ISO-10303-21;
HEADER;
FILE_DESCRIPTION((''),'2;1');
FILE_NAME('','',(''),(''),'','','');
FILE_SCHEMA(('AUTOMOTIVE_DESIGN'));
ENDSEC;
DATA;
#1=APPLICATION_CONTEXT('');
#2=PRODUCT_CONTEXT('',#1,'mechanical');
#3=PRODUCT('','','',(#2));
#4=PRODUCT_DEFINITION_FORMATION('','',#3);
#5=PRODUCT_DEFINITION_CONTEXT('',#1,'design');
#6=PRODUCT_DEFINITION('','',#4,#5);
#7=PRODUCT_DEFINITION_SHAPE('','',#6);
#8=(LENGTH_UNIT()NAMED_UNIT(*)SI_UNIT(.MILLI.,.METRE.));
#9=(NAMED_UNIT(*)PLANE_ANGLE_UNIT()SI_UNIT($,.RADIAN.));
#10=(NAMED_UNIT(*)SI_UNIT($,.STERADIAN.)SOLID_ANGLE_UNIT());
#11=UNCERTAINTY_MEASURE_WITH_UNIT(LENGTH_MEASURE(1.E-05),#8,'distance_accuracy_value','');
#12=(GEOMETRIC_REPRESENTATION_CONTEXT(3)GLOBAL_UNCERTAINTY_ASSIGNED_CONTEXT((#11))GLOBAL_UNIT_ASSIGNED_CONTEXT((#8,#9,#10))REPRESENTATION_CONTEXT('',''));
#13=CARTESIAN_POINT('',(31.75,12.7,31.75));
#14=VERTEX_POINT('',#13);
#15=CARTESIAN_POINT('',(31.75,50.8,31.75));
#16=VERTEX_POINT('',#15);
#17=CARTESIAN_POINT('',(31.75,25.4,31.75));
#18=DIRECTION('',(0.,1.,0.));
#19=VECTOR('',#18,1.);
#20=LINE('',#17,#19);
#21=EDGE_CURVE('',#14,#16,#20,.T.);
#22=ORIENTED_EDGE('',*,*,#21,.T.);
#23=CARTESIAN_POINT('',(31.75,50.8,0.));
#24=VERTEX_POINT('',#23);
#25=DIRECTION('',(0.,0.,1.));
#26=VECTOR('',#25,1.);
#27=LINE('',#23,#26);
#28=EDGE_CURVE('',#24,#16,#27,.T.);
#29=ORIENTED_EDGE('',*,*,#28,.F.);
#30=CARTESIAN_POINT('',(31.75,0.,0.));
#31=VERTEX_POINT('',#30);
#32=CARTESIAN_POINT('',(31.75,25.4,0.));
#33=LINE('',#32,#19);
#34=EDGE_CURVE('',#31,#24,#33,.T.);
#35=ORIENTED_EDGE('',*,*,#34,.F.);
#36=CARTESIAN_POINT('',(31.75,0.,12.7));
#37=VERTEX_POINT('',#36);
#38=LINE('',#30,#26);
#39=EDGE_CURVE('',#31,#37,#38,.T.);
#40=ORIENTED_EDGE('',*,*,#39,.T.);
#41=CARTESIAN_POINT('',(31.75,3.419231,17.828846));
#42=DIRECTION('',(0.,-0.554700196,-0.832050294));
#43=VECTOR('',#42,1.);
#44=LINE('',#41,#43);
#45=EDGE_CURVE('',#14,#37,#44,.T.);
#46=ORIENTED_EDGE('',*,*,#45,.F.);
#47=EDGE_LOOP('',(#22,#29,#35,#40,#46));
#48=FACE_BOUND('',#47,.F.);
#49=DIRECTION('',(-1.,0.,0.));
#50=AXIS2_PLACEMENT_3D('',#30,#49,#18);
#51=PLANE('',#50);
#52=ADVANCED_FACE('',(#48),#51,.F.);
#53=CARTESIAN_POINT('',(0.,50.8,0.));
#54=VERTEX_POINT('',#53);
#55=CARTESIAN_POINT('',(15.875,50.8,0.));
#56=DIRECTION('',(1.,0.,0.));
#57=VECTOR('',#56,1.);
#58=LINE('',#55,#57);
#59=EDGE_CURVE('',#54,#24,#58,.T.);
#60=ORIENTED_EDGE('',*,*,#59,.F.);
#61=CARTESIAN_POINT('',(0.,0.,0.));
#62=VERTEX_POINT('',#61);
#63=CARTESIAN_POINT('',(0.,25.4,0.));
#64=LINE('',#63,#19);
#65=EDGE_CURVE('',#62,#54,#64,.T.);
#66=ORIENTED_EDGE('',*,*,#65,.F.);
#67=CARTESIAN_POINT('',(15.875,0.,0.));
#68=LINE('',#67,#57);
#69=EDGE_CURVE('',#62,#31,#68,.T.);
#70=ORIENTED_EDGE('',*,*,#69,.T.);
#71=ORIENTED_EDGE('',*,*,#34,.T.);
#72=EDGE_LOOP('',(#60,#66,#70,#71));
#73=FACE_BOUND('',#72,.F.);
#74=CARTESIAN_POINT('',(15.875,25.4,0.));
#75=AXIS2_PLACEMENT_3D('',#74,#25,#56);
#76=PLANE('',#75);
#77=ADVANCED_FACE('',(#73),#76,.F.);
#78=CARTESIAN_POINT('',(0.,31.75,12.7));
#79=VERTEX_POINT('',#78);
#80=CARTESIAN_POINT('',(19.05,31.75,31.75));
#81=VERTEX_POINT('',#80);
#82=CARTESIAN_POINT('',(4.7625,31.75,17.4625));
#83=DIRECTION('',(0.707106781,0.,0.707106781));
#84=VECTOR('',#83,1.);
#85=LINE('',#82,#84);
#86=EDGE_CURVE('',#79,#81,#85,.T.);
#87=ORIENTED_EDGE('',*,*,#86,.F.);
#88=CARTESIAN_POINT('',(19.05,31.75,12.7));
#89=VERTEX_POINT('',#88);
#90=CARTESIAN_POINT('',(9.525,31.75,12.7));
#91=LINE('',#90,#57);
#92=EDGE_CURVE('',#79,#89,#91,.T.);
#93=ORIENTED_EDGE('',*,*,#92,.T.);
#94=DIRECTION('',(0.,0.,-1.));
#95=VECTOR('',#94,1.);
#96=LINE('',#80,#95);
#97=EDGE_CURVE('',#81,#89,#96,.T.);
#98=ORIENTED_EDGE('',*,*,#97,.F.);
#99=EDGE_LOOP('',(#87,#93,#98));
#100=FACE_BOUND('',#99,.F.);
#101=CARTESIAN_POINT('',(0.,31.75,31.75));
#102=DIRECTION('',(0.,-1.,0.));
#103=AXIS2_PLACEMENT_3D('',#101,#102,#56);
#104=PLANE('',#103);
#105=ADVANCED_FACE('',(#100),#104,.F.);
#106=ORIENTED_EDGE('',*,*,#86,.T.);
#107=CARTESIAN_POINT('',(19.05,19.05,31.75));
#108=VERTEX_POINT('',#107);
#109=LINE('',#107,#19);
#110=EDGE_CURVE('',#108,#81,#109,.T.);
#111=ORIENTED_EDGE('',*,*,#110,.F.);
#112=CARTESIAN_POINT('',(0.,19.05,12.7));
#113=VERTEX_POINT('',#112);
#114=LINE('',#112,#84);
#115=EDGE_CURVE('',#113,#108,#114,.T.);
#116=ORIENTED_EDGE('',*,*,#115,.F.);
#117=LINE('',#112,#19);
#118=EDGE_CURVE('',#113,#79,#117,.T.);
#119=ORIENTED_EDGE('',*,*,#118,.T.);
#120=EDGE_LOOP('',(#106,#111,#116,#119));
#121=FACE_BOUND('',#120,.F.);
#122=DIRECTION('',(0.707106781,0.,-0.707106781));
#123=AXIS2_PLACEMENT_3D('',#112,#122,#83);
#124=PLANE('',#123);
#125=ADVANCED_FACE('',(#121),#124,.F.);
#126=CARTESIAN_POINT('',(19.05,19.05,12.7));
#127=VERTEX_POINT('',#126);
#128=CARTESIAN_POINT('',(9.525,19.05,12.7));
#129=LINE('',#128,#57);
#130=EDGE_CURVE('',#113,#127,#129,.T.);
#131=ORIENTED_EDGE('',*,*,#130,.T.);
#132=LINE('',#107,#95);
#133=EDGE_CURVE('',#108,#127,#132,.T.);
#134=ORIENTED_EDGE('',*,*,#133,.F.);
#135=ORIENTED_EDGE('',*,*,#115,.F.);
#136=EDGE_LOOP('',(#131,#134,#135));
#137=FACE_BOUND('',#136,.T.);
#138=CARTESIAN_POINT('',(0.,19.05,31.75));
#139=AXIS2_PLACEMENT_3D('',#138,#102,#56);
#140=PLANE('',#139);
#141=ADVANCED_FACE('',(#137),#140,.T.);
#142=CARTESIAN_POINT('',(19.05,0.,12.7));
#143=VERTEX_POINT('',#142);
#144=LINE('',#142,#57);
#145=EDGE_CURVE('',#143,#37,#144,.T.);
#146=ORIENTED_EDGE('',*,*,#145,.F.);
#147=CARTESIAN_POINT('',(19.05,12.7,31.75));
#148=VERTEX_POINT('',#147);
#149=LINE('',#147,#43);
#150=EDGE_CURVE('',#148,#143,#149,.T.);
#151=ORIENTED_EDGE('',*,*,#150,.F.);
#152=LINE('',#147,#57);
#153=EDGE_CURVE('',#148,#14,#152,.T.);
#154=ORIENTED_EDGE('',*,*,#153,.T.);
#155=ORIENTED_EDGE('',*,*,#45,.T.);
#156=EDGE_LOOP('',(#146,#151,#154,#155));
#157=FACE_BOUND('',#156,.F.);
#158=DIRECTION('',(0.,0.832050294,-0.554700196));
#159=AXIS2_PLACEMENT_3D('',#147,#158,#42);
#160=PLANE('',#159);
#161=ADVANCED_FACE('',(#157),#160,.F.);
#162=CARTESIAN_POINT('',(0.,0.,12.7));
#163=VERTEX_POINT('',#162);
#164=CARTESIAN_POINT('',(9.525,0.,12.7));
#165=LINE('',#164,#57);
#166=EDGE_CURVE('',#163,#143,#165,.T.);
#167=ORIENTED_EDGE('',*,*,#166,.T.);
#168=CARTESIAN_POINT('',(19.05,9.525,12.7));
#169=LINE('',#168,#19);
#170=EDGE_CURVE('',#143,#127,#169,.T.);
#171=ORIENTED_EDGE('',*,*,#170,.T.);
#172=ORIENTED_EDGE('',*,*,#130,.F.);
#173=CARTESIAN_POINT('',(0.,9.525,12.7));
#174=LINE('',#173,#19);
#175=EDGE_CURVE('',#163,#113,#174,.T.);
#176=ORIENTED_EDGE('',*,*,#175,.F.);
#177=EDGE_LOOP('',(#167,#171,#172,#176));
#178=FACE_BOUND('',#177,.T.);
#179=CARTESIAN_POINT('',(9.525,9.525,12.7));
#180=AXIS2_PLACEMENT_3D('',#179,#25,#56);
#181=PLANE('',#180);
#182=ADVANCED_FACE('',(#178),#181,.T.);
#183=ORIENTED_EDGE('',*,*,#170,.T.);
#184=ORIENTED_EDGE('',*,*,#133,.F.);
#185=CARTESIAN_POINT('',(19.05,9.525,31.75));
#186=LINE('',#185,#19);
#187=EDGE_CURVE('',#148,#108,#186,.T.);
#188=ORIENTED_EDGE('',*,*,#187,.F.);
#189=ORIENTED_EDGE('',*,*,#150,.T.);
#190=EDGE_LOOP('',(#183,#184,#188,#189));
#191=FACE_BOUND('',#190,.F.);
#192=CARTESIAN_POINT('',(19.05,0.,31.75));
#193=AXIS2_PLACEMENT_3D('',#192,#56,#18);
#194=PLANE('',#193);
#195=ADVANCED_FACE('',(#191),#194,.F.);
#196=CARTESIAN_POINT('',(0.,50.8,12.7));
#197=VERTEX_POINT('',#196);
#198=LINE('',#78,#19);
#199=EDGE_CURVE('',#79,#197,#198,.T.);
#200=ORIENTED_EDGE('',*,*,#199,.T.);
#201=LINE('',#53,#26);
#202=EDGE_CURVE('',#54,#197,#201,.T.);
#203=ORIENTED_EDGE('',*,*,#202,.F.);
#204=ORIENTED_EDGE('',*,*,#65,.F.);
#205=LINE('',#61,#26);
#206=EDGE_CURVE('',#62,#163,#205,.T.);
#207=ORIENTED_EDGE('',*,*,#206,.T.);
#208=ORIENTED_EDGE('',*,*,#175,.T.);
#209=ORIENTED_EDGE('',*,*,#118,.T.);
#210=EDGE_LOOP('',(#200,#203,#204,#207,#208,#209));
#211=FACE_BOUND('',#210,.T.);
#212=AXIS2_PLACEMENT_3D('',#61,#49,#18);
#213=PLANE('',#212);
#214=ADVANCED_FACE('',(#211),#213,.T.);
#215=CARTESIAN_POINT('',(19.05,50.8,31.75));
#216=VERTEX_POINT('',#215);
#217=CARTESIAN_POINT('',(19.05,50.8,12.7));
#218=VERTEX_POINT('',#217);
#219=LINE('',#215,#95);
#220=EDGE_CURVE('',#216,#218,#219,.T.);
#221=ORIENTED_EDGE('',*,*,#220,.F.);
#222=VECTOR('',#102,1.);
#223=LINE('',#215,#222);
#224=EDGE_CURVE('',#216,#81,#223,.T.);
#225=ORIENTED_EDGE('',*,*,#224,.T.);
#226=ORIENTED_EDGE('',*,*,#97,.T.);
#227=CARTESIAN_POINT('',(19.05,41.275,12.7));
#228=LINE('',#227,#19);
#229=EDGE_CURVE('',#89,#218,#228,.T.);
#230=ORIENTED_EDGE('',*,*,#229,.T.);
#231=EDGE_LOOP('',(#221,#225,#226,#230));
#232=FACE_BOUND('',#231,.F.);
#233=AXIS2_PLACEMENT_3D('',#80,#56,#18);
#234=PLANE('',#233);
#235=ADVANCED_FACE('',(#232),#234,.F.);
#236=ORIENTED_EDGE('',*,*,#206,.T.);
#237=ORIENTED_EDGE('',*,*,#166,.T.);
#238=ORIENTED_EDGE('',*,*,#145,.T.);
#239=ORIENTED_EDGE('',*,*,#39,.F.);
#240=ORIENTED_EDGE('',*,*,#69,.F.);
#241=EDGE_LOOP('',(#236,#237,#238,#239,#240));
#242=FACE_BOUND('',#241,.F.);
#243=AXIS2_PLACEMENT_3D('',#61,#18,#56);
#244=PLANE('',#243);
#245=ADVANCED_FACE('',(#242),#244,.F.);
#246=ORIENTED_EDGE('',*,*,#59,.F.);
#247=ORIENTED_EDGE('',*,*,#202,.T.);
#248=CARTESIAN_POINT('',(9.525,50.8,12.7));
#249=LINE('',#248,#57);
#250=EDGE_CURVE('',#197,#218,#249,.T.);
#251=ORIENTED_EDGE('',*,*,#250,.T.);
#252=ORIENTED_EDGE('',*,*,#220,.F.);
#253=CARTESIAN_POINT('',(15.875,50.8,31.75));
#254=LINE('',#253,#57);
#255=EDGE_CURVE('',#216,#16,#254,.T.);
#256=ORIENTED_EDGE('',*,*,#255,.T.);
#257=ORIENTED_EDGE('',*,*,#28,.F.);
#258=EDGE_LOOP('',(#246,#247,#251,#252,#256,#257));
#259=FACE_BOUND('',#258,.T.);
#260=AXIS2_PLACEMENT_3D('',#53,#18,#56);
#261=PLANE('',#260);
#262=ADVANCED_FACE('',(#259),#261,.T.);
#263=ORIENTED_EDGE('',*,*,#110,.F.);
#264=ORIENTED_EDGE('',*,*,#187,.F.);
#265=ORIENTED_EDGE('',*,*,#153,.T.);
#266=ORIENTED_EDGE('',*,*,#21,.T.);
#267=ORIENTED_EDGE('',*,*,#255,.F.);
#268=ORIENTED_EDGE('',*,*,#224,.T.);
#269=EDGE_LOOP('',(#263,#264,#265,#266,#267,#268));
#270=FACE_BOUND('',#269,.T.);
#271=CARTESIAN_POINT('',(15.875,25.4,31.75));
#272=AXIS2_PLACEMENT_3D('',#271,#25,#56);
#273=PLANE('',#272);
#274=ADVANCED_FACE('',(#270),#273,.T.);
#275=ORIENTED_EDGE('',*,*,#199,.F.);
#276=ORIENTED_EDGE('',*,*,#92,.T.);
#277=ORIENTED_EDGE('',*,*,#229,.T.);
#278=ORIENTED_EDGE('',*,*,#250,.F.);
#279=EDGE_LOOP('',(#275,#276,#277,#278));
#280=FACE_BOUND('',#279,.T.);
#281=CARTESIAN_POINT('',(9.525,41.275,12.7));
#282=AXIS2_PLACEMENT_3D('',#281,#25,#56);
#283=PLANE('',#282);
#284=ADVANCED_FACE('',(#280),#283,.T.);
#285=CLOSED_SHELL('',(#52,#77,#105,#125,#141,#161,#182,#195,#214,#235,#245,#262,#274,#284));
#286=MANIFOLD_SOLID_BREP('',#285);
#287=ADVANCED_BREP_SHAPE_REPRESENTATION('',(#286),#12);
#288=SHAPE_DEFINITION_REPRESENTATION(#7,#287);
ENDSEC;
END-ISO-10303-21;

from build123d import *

# Parameters (mm, degrees)
F0_W     = 31.75
F0_H     = 50.8
F1_DEPTH = 31.75
F2_W     = 19.05
F2_H     = 19.05
F3_DEPTH = 19.05
F5_DEPTH = 25.4
F7_DEPTH = 25.4


with BuildPart() as f1:
    # F0 (on Top) → F1 (new body)
    with BuildSketch(Plane.XY):
        with Locations((15.875, 25.4)):
            Rectangle(F0_W, F0_H)
    extrude(amount=F1_DEPTH)

    # F2 (on face) → F3 (cut)
    with BuildSketch(Plane.XY.offset(31.75)):
        with Locations((9.525, 41.275)):
            Rectangle(F2_W, F2_H)
        with Locations((9.525, 9.525)):
            Rectangle(F2_W, F2_H)
    extrude(amount=-F3_DEPTH, mode=Mode.SUBTRACT)

    # F4 (on face) → F5 (cut)
    with BuildSketch(Plane.XZ.offset(-19.05)):
        Polygon((0, 31.75), (0, 12.7), (19.05, 31.75), align=None)
    extrude(amount=-F5_DEPTH, mode=Mode.SUBTRACT)

    # F6 (on face) → F7 (cut)
    with BuildSketch(Plane(origin=(19.05, 0, 0), x_dir=(0, -1, 0), z_dir=(-1, 0, 0))):
        Polygon((0, 12.7), (0, 31.75), (-12.7, 31.75), align=None)
    extrude(amount=-F7_DEPTH, mode=Mode.SUBTRACT)


solid = f1.part
